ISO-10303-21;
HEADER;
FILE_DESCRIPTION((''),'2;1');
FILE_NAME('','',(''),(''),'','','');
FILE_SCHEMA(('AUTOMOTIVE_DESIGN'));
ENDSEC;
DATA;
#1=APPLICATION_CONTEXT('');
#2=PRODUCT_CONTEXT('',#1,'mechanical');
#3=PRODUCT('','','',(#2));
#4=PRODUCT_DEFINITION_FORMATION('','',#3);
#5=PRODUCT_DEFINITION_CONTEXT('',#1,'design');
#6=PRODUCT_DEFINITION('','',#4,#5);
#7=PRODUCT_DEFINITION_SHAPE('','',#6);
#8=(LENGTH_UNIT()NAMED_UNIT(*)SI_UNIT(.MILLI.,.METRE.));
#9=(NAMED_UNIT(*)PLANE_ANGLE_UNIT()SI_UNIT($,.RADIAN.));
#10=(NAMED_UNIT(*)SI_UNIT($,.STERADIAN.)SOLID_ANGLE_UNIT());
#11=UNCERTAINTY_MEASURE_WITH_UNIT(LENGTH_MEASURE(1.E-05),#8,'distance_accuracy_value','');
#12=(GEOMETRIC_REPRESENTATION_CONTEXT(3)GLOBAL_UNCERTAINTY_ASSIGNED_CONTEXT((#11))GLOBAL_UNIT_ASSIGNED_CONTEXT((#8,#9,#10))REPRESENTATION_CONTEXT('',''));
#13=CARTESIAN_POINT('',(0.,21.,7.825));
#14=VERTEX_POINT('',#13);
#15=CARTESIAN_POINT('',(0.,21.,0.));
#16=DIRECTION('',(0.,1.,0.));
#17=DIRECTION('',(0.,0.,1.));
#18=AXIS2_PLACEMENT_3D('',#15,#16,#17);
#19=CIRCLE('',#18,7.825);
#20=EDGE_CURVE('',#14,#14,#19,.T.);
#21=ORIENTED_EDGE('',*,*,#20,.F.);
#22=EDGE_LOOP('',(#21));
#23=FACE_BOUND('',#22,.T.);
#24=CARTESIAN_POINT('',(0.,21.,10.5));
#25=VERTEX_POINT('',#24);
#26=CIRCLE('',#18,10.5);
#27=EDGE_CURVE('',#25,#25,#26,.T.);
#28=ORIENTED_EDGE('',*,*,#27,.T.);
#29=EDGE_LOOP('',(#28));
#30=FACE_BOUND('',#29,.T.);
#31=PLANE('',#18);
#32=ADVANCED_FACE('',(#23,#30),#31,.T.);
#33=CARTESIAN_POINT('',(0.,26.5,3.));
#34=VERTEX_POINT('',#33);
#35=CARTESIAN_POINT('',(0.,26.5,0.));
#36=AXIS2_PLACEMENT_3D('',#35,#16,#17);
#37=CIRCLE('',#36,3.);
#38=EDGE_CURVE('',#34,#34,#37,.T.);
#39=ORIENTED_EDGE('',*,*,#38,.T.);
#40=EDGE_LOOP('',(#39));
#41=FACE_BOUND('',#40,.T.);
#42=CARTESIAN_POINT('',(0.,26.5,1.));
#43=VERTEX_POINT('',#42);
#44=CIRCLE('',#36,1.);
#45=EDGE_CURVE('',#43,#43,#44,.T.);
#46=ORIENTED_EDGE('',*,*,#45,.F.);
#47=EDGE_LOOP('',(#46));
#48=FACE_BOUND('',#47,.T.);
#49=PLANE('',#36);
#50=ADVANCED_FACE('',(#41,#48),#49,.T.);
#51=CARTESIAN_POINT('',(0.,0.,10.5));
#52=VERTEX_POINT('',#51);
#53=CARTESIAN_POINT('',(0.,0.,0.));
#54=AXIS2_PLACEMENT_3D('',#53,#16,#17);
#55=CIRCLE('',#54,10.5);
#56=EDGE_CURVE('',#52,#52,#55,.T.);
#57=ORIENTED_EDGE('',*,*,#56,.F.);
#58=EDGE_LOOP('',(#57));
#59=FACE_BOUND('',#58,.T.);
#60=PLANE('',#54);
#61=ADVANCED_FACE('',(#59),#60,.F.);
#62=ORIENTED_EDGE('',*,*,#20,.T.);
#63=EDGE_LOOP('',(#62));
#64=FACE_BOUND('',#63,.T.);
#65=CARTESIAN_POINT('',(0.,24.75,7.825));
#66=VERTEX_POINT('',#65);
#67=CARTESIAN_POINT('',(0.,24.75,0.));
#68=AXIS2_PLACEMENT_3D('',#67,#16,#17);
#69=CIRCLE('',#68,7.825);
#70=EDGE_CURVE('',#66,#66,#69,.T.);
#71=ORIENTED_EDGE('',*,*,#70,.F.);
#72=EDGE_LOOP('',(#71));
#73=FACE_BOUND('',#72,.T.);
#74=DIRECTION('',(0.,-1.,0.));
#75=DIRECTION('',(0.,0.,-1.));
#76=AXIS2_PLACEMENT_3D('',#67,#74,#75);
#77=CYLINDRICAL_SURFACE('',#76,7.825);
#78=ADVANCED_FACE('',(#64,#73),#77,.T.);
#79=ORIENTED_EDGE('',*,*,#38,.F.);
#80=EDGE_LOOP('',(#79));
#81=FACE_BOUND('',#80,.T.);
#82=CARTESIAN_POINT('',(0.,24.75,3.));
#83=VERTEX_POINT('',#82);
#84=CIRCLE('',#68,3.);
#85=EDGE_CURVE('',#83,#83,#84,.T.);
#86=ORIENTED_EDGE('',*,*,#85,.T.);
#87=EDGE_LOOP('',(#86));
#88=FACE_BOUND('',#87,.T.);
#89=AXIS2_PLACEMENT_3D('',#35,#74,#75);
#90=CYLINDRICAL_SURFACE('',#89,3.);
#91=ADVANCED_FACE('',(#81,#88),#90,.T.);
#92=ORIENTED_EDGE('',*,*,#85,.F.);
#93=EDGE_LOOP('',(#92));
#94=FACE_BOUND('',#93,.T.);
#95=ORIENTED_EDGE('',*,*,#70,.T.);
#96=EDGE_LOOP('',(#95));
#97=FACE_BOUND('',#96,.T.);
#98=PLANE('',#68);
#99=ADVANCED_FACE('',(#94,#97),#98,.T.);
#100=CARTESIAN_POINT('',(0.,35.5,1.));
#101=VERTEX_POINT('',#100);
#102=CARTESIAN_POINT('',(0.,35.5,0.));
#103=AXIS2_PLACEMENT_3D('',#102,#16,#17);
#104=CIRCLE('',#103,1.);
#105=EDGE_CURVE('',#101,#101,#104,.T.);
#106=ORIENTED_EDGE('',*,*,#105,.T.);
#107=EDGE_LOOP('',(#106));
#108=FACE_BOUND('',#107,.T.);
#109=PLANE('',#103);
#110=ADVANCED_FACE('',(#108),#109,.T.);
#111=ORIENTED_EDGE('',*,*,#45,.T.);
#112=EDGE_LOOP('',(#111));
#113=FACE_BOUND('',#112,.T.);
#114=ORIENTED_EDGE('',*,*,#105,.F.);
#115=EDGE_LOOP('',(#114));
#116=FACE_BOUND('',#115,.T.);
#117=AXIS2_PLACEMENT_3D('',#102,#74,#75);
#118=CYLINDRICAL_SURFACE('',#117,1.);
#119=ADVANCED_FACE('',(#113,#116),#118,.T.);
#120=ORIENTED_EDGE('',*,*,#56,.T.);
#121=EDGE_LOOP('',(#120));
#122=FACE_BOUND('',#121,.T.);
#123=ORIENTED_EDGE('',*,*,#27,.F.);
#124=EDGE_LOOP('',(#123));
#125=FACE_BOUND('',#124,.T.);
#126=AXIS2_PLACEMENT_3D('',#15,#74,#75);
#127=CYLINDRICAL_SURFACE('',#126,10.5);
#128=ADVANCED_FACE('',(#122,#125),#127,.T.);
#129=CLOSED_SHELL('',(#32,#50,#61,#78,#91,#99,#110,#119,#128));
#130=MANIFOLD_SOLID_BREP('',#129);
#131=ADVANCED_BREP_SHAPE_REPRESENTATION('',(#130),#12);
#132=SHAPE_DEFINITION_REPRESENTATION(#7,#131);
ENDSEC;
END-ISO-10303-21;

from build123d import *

# Parameters (mm, degrees)
SKETCH1_R           = 10.5
BOSS_EXTRUDE1_DEPTH = 21
SKETCH2_R           = 7.825
BOSS_EXTRUDE2_DEPTH = 3.75
SKETCH3_R           = 3
BOSS_EXTRUDE3_DEPTH = 1.75
SKETCH4_R           = 1
BOSS_EXTRUDE4_DEPTH = 9


with BuildPart() as part:
    # Sketch1 → Boss-Extrude1 (new body)
    with BuildSketch(Plane(origin=(0, 0, 0), x_dir=(1, 0, 0), z_dir=(0, 1, 0))):
        Circle(SKETCH1_R)
    extrude(amount=BOSS_EXTRUDE1_DEPTH)

    # Sketch2 → Boss-Extrude2 (add)
    with BuildSketch(Plane(origin=(0, 21, 0), x_dir=(1, 0, 0), z_dir=(0, 1, 0))):
        Circle(SKETCH2_R)
    extrude(amount=BOSS_EXTRUDE2_DEPTH)

    # Sketch3 → Boss-Extrude3 (add)
    with BuildSketch(Plane(origin=(0, 24.75, 0), x_dir=(1, 0, 0), z_dir=(0, 1, 0))):
        Circle(SKETCH3_R)
    extrude(amount=BOSS_EXTRUDE3_DEPTH)

    # Sketch4 → Boss-Extrude4 (add)
    with BuildSketch(Plane(origin=(0, 26.5, 0), x_dir=(1, 0, 0), z_dir=(0, 1, 0))):
        Circle(SKETCH4_R)
    extrude(amount=BOSS_EXTRUDE4_DEPTH)


solid = part.part
